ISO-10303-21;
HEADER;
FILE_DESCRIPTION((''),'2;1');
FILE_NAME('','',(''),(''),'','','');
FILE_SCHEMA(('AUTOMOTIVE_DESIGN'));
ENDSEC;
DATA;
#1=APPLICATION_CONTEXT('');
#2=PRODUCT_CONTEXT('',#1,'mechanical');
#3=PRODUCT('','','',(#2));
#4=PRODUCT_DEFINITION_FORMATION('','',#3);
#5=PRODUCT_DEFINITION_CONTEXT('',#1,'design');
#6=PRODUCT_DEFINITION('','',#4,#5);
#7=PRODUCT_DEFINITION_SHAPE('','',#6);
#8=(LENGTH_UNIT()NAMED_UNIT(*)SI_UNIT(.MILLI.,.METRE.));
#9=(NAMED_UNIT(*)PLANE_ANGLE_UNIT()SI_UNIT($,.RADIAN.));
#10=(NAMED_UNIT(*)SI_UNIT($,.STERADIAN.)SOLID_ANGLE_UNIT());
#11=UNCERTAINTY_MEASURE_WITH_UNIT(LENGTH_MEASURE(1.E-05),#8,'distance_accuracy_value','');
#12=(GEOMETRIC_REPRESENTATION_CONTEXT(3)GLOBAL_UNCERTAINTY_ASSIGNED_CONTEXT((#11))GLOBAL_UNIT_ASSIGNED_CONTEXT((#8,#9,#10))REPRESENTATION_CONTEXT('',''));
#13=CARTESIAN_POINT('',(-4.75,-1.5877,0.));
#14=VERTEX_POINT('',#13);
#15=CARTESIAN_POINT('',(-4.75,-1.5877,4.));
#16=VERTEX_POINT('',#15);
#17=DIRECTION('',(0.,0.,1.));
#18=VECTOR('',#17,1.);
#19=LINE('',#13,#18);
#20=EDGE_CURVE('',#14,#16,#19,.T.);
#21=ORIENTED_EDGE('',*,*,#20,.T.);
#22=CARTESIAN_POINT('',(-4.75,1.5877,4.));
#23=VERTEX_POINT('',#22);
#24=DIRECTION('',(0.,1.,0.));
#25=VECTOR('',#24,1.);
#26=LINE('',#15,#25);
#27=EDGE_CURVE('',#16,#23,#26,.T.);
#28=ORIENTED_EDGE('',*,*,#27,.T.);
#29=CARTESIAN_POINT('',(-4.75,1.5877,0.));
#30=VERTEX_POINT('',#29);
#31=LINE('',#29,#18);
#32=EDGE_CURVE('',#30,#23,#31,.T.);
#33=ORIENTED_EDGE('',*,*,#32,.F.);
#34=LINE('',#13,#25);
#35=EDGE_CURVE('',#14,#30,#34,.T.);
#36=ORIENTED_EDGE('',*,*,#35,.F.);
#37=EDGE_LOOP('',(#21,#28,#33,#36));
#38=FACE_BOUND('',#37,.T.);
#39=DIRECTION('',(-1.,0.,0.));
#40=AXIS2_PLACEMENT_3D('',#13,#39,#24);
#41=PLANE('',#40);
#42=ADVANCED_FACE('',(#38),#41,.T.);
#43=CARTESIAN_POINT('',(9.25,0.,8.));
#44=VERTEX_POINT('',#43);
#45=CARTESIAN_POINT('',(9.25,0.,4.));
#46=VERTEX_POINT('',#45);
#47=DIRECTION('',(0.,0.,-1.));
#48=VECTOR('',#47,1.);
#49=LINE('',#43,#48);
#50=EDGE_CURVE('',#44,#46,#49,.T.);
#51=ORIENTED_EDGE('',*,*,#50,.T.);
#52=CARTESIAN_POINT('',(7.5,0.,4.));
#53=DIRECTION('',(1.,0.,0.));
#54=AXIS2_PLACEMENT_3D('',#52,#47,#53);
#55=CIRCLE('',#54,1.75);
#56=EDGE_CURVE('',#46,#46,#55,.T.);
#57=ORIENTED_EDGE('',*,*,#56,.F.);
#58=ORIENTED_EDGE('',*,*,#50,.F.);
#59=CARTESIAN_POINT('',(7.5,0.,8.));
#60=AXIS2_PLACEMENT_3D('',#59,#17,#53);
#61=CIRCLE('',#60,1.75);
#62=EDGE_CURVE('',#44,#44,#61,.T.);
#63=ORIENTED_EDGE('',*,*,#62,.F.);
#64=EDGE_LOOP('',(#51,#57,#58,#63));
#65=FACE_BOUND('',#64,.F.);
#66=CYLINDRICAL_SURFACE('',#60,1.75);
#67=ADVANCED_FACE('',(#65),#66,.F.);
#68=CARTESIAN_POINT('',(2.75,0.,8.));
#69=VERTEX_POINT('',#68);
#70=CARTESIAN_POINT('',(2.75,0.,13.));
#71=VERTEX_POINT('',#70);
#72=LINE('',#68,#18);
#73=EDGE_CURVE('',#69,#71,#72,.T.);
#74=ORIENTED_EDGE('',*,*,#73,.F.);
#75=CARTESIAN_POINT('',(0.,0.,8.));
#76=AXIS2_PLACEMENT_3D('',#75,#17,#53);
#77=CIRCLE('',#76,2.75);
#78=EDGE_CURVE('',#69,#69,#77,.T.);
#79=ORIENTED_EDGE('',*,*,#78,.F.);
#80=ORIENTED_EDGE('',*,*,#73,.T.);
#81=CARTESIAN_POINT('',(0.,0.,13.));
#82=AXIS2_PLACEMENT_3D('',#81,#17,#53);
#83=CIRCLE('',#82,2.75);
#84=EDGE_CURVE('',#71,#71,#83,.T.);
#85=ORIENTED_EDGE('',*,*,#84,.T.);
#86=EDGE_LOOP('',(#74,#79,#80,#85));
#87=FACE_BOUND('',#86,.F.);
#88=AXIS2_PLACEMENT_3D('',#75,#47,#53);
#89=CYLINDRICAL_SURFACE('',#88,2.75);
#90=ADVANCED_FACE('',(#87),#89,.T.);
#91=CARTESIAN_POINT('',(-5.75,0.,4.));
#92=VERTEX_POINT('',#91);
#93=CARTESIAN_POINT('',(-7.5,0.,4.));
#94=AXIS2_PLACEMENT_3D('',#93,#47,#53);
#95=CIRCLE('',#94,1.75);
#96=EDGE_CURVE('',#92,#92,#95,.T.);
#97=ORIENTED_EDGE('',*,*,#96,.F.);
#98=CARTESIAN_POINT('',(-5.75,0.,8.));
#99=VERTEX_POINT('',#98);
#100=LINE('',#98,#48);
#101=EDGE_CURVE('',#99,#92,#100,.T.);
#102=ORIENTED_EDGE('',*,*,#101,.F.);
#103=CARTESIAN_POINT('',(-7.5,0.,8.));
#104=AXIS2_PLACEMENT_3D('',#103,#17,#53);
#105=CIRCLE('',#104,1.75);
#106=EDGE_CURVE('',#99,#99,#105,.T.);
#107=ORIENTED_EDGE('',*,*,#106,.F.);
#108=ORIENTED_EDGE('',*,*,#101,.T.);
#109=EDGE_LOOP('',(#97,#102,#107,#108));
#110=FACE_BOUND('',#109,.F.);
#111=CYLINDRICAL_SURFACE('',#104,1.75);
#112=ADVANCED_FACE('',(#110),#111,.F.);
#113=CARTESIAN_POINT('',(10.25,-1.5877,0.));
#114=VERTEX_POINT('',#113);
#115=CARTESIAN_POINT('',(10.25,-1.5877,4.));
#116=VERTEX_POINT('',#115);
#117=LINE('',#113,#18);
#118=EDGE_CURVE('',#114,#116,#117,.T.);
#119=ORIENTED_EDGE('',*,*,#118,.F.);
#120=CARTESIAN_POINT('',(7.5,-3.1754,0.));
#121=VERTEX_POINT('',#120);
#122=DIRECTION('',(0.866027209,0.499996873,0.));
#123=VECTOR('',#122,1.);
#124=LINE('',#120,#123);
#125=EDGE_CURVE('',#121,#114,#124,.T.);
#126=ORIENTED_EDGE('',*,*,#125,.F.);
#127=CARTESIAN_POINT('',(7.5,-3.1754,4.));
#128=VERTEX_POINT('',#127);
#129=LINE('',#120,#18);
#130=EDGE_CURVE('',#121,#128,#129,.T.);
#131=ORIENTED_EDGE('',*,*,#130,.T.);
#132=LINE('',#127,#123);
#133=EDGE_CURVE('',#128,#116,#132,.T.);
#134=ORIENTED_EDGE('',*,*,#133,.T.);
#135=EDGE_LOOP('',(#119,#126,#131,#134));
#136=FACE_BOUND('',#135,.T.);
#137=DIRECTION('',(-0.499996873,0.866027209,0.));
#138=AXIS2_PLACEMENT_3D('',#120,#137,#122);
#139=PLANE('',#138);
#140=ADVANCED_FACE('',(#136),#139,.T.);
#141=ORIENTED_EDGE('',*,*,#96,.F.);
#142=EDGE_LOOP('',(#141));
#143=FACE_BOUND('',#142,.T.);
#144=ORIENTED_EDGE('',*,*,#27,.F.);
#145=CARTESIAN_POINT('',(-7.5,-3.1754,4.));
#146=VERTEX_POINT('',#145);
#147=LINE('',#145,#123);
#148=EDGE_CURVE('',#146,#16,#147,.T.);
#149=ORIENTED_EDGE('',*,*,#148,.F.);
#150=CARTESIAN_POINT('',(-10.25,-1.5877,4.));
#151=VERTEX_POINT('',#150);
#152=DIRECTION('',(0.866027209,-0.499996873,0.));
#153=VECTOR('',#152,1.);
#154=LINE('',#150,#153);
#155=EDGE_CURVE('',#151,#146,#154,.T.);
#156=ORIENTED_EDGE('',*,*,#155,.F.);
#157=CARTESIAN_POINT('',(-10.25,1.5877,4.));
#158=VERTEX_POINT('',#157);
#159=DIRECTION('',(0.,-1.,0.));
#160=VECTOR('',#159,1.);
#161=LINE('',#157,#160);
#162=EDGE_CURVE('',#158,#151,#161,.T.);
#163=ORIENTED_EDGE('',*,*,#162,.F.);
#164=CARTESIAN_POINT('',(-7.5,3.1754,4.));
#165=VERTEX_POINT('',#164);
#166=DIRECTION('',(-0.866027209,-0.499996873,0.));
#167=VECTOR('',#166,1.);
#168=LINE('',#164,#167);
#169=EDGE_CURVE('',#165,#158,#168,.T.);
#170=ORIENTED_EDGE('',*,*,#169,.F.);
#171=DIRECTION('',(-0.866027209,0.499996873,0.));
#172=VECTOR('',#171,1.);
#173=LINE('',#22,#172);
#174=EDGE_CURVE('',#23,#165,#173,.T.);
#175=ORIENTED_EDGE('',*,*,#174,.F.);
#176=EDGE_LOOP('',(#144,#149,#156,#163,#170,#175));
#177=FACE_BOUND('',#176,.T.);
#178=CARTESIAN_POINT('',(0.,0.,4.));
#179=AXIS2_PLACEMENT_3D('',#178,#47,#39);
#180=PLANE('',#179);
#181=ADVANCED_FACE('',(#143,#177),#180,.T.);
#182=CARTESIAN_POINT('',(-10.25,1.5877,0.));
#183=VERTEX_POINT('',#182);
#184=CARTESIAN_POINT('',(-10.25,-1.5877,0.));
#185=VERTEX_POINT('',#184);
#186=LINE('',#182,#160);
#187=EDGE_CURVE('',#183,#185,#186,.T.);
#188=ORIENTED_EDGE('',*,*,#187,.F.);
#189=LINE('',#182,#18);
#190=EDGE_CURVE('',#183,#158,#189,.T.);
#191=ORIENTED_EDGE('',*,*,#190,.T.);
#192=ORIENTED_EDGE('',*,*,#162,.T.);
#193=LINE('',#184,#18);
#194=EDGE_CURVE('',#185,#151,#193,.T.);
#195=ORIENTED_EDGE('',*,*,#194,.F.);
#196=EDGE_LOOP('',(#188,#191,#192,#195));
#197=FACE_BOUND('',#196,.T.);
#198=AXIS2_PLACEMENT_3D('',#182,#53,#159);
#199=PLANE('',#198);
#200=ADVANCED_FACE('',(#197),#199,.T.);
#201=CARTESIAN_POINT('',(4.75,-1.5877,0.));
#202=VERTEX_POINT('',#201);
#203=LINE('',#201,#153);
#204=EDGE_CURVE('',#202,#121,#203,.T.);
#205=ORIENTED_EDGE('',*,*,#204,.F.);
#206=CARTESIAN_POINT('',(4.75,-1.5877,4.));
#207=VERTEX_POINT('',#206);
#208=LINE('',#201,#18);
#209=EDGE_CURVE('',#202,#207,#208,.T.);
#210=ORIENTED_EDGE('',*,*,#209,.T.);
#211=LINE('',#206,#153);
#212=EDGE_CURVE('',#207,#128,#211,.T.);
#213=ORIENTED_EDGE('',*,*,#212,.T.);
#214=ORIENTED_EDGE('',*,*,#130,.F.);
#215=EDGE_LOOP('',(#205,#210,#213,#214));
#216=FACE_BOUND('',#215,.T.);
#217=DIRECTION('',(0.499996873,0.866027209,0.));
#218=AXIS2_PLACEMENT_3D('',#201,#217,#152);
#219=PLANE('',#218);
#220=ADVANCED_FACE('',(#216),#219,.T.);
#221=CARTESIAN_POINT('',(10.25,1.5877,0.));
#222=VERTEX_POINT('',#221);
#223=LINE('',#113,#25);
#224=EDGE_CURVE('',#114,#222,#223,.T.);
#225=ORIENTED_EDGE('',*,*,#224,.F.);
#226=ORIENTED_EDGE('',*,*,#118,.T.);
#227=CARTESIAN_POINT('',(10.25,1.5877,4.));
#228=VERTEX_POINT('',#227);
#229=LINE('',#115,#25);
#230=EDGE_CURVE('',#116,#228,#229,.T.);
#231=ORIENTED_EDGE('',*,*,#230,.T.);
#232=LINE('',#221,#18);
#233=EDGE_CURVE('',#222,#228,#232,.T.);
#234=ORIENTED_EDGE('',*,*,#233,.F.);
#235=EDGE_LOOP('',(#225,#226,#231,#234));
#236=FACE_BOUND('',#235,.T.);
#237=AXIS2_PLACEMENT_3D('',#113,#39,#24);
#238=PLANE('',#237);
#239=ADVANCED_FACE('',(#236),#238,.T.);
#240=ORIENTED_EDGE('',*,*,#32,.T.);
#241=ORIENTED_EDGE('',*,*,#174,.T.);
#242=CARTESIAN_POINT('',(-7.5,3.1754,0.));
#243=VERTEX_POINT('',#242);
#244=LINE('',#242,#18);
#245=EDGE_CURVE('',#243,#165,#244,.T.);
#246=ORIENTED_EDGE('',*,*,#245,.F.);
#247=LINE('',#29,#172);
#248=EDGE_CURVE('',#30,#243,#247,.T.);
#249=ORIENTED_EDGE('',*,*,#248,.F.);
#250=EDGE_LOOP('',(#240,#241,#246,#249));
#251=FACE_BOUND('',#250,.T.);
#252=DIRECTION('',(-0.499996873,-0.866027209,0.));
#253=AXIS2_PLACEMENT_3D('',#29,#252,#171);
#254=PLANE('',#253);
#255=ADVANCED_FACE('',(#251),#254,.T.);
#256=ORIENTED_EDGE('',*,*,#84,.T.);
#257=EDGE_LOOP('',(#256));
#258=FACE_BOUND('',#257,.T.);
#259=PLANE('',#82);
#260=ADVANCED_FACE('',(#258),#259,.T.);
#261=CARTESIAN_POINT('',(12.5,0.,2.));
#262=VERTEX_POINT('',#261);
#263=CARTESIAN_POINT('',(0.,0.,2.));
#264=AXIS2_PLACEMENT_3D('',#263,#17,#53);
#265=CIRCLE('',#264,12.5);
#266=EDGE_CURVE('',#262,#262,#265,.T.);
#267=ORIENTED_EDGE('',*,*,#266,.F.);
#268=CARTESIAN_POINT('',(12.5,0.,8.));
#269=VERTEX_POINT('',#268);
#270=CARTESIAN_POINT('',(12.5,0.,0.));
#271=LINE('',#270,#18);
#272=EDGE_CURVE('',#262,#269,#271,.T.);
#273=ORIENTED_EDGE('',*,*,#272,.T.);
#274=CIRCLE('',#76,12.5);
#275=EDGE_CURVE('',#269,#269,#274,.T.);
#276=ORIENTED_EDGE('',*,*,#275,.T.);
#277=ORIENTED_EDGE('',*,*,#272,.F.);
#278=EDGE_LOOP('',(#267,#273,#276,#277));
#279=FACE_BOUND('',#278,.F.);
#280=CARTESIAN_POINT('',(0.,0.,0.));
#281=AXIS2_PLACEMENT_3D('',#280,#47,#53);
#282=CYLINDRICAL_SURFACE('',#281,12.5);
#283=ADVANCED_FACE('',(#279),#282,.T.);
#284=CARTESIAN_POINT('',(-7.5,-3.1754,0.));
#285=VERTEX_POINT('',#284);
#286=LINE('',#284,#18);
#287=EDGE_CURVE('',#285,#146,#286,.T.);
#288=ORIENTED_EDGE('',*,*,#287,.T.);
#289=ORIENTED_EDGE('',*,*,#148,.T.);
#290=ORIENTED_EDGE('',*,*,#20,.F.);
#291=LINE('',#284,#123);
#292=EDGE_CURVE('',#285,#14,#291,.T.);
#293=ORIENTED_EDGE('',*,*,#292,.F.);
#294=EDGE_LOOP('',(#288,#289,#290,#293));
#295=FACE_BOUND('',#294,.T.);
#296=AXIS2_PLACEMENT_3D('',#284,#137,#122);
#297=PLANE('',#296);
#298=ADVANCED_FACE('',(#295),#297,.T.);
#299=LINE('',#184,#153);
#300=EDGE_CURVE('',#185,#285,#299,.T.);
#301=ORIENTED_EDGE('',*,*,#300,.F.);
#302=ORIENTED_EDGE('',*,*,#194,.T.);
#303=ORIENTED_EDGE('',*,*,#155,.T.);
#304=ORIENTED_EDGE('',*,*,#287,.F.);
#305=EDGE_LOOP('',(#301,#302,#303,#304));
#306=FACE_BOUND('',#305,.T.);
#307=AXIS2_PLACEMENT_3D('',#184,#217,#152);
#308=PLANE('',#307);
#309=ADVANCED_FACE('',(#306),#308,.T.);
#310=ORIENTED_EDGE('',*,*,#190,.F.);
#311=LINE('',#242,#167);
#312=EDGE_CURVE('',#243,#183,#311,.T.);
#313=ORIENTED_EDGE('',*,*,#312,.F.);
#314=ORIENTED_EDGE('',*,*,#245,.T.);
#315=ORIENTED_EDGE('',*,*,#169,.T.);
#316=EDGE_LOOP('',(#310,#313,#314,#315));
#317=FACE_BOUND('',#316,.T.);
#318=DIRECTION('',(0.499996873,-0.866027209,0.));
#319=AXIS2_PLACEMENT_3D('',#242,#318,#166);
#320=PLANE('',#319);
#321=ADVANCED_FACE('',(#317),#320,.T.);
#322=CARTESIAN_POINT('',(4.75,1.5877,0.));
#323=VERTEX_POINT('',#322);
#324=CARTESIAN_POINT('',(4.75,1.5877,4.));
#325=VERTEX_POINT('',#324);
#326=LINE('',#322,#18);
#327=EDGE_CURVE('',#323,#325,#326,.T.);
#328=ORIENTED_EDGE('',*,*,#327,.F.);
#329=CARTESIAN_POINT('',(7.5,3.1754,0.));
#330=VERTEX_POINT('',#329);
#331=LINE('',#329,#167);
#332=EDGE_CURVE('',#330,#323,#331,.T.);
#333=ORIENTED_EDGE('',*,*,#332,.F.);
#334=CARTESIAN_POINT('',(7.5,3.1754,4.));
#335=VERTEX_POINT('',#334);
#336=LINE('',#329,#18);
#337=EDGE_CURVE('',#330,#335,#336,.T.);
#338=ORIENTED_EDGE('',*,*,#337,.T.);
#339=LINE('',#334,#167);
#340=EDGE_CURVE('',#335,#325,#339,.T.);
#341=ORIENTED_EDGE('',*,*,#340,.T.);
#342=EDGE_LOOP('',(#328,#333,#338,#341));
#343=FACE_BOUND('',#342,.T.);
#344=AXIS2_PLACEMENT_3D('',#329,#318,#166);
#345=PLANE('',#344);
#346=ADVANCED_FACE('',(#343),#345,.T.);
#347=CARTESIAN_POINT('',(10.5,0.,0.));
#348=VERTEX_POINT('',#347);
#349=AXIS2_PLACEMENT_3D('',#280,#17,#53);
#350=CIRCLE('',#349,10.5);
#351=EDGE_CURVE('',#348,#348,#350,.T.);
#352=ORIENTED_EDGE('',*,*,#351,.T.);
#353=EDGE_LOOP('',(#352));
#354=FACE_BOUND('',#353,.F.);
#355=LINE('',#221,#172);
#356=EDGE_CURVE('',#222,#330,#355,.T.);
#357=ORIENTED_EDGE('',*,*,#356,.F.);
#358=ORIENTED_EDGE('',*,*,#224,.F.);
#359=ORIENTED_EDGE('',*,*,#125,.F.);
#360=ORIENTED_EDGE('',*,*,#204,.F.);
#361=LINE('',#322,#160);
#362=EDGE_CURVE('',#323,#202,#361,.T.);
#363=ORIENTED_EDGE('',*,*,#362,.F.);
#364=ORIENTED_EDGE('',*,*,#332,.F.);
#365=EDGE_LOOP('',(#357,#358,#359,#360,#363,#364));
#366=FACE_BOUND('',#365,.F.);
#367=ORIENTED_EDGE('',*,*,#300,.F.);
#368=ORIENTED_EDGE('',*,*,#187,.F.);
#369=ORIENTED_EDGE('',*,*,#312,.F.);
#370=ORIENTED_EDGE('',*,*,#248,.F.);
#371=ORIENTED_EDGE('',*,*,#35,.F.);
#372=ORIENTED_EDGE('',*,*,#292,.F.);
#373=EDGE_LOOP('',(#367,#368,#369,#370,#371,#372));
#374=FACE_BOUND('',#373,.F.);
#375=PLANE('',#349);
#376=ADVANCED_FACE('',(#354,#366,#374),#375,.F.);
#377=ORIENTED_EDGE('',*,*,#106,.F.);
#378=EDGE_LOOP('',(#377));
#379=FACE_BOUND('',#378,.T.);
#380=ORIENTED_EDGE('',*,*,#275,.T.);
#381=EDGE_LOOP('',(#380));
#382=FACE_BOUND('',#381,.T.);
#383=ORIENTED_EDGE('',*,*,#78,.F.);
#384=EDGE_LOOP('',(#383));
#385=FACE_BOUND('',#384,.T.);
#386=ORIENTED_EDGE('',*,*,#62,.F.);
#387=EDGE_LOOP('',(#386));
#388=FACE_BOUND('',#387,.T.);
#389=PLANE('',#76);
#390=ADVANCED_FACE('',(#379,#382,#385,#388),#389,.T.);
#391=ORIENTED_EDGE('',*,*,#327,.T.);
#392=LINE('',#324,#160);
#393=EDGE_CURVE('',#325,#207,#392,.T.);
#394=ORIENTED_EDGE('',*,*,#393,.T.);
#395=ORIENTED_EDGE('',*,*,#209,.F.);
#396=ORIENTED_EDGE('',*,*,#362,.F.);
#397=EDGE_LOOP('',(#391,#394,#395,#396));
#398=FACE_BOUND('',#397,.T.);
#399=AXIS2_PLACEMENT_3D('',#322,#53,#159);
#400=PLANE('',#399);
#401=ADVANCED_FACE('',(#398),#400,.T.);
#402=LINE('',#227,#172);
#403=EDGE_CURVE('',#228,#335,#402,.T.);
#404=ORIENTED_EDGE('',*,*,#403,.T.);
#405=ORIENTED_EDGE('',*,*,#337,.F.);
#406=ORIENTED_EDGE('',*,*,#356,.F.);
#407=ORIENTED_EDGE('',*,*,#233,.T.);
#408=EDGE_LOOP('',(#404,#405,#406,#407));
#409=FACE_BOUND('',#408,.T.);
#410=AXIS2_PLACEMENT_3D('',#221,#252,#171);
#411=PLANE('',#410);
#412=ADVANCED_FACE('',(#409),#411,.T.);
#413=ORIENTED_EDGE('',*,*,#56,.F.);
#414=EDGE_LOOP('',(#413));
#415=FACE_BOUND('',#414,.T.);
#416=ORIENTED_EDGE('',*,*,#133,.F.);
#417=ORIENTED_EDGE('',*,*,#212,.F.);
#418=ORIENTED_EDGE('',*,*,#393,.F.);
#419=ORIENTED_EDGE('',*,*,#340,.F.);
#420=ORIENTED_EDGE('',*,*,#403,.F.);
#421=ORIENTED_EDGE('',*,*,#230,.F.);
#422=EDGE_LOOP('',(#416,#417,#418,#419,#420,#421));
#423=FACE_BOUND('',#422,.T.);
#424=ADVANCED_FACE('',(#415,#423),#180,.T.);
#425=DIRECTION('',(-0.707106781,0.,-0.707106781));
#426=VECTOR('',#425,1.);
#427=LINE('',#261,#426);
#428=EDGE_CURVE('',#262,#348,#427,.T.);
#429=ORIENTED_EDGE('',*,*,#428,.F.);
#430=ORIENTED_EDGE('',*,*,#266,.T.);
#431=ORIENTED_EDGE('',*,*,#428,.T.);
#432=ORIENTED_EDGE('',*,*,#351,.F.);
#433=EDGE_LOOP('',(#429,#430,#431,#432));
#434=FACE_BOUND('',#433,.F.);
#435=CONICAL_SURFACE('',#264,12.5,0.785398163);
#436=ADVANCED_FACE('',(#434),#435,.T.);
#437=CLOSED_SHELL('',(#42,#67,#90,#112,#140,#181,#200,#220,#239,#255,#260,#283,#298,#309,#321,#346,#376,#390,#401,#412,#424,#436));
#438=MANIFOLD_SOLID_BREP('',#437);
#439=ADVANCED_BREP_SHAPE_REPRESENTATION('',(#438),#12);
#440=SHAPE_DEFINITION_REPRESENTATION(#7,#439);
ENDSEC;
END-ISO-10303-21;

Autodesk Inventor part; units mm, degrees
ref_plane "YZ Plane" through (0, 0, 0) normal (1, 0, 0) x (0, 1, 0)
ref_plane "XZ Plane" through (0, 0, 0) normal (0, 1, 0) x (-1, 0, 0)
ref_plane "XY Plane" through (0, 0, 0) normal (0, 0, 1) x (1, 0, 0)
sketch "Sketch1" plane through (0, 0, 0) normal (0, 0, 1) x (1, 0, 0)
  circle A0 centre (0, 0) radius 12.5
  dimension "d0" = 25
extrude "Extrusion1" add sketch "Sketch1" along normal blind 8
sketch "Sketch2" plane through (0, 0, 8) normal (0, 0, 1) x (1, 0, 0)
  circle A0 centre (0, 0) radius 12.5 projected
  circle A1 centre (0, 0) radius 2.75
  dimension "d4" = 5.5
extrude "Extrusion2" add sketch "Sketch2" along normal blind 5 contours A1
sketch "Sketch3" plane through (0, 0, 8) normal (0, 0, 1) x (1, 0, 0)
  circle A0 centre (0, 0) radius 2.75 projected
  circle A1 centre (-7.5, 0) radius 1.75
  circle A2 centre (7.5, 0) radius 1.75
  dimension "d8" = 7.5
  dimension "d9" = 7.5
  dimension "d10" = 3.5
extrude "Extrusion3" cut sketch "Sketch3" against normal through all contours A1 | A2
sketch "Sketch4" plane through (0, 0, 0) normal (0, 0, -1) x (-1, 0, 0)
  circle A0 centre (7.5, 0) radius 1.75 projected
  circle A1 centre (-7.5, 0) radius 1.75 projected
  line L0 (-7.5, 3.1754) -> (-4.75, 1.5877)
  line L1 (-4.75, 1.5877) -> (-4.75, -1.5877)
  line L2 (-4.75, -1.5877) -> (-7.5, -3.1754)
  line L3 (-7.5, -3.1754) -> (-10.25, -1.5877)
  line L4 (-10.25, -1.5877) -> (-10.25, 1.5877)
  line L5 (-10.25, 1.5877) -> (-7.5, 3.1754)
  line L6 (7.5, 3.1754) -> (10.25, 1.5877)
  line L7 (10.25, 1.5877) -> (10.25, -1.5877)
  line L8 (10.25, -1.5877) -> (7.5, -3.1754)
  line L9 (7.5, -3.1754) -> (4.75, -1.5877)
  line L10 (4.75, -1.5877) -> (4.75, 1.5877)
  line L11 (4.75, 1.5877) -> (7.5, 3.1754)
  dimension "d13" = 5.5
extrude "Extrusion4" cut sketch "Sketch4" against normal blind 4
chamfer "Chamfer2" distance 2 angle 45 1 edges at (-12.5, 0, 0)
properties part number "stopper"
